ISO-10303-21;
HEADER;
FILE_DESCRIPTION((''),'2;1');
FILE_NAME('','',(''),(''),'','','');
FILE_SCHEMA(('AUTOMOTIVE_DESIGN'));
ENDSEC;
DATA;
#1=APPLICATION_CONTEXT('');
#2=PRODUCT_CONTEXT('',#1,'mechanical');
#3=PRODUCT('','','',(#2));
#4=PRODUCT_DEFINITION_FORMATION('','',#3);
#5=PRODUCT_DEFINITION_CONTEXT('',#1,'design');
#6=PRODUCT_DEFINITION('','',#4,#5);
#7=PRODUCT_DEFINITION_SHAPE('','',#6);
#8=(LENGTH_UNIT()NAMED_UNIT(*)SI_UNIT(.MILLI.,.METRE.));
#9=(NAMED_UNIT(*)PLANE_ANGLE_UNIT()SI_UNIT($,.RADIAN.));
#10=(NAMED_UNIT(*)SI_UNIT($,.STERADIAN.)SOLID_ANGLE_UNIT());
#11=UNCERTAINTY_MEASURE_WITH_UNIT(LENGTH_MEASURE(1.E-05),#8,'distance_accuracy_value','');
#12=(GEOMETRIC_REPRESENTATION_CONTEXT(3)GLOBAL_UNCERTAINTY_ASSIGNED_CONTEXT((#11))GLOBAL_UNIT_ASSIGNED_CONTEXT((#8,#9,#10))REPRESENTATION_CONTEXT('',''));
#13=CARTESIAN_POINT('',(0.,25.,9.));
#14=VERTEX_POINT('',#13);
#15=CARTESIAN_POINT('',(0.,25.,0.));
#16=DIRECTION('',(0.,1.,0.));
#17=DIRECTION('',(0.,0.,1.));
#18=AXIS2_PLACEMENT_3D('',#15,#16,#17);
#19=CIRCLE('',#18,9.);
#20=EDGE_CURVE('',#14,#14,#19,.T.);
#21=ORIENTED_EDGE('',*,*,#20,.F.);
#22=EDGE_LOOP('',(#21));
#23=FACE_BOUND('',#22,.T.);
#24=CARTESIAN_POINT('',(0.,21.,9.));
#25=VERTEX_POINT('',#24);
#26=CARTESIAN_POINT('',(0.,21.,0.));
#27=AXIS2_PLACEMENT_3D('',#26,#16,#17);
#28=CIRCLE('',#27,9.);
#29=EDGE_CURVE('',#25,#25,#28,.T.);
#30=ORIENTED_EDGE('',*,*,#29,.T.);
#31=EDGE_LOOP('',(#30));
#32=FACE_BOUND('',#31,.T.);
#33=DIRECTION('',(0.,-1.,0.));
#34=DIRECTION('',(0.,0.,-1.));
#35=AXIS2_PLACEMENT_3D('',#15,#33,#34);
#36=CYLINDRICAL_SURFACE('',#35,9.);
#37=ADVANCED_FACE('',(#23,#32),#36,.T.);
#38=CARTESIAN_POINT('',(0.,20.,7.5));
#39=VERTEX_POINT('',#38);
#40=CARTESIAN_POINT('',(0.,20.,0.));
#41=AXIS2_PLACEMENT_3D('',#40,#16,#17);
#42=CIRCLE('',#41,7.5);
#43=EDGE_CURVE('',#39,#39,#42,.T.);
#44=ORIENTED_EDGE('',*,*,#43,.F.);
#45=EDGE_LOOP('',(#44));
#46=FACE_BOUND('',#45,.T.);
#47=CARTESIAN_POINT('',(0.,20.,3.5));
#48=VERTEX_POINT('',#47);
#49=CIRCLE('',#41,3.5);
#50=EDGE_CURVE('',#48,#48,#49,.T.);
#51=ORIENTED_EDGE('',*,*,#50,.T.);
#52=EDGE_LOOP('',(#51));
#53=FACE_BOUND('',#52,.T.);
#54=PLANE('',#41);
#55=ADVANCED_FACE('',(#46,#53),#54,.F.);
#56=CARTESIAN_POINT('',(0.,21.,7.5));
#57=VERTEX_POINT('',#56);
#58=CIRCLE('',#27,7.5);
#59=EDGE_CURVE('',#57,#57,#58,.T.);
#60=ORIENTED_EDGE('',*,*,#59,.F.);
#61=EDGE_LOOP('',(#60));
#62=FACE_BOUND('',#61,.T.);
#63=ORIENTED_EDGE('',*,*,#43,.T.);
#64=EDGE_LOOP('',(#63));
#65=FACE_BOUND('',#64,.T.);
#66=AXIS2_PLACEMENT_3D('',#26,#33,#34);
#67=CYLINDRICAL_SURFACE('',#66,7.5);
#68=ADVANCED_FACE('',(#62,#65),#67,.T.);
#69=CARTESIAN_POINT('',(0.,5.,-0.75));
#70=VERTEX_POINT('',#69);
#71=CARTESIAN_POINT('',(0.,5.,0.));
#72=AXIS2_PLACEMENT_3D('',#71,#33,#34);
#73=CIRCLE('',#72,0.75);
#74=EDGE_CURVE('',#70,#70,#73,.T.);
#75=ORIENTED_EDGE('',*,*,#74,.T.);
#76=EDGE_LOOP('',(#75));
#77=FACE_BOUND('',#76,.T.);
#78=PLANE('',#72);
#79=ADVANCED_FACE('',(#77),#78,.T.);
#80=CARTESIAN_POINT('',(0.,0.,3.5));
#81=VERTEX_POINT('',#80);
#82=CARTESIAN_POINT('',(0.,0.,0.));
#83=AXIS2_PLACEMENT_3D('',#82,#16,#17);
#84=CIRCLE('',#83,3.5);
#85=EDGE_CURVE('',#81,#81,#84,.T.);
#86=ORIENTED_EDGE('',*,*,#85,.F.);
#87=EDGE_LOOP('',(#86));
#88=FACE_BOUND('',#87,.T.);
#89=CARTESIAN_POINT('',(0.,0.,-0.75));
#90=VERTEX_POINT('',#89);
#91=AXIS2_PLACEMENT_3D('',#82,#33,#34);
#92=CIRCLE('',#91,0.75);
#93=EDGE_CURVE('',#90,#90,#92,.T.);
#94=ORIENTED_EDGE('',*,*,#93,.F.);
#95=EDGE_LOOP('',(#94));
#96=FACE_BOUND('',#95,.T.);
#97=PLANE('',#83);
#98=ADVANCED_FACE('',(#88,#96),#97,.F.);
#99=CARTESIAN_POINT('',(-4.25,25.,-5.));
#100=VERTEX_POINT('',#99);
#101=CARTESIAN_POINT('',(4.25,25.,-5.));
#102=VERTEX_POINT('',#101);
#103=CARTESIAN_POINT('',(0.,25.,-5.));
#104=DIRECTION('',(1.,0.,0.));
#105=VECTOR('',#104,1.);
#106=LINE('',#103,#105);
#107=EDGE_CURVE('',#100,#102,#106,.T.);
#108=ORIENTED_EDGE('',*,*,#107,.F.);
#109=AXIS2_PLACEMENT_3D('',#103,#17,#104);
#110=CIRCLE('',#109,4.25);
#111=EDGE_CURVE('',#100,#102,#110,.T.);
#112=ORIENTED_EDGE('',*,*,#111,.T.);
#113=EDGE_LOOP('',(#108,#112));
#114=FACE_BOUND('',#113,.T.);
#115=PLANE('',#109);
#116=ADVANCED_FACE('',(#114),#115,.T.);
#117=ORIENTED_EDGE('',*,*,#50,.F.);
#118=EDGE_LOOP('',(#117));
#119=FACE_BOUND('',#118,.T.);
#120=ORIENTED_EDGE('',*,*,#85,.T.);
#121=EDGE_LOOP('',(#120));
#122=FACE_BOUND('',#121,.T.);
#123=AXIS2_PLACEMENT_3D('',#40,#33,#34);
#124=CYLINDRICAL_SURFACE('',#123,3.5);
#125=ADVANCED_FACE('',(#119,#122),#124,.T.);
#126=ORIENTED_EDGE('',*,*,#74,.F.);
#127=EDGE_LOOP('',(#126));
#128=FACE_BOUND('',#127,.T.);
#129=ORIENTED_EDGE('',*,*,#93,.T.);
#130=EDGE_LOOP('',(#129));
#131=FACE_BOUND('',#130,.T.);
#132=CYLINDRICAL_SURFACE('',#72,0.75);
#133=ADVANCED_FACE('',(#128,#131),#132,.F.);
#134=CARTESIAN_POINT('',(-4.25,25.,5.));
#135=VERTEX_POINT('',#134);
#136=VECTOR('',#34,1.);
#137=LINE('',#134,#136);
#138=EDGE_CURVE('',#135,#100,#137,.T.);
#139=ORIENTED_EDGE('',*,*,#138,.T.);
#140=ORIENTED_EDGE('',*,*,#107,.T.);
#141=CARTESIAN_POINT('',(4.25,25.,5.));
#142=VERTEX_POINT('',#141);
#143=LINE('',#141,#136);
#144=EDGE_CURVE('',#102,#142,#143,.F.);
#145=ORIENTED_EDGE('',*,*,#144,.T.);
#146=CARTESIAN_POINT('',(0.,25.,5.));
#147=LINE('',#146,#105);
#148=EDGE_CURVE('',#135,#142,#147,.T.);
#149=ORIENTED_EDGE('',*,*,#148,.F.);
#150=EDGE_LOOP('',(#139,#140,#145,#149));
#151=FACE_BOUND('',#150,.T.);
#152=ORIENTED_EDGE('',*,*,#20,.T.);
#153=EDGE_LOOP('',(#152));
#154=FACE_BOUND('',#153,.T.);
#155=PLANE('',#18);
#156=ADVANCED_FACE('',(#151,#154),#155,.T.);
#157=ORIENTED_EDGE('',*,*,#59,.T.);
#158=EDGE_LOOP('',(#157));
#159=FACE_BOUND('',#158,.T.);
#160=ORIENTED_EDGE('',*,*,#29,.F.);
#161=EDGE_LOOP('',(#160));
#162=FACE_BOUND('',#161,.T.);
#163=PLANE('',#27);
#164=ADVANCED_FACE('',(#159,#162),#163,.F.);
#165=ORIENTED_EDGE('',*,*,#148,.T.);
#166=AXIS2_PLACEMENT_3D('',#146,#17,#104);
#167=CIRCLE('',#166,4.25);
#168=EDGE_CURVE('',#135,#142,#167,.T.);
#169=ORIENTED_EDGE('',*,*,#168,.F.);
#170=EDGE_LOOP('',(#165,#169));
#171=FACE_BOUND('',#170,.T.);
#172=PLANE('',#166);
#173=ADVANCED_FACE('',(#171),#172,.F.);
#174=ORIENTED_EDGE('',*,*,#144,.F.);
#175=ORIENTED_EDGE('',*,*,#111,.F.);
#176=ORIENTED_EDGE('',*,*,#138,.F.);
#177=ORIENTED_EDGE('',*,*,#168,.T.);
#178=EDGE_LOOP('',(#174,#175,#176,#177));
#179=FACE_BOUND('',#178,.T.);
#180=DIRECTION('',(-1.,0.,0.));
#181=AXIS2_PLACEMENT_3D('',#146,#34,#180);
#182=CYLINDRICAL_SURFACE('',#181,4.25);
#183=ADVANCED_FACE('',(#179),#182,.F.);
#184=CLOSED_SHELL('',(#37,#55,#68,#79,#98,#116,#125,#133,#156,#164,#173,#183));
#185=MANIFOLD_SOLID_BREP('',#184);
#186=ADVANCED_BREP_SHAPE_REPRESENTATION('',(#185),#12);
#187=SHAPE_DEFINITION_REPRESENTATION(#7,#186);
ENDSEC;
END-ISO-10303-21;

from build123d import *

# Parameters (mm, degrees)
CROQUIS2_R                 = 3.5
SALIENTE_EXTRUIR1_DEPTH    = 20
CROQUIS3_R                 = 7.5
SALIENTE_EXTRUIR2_DEPTH    = 1
CROQUIS5_R                 = 9
SALIENTE_EXTRUIR3_DEPTH    = 4
CORTAR_EXTRUIR1_DEPTH      = 5
CORTAR_EXTRUIR1_DEPTH_BACK = 5
CROQUIS6_R                 = 4.25
CROQUIS7_R                 = 0.75
CORTAR_EXTRUIR2_DEPTH      = 5


with BuildPart() as part:
    # Croquis2 → Saliente-Extruir1 (new body)
    with BuildSketch(Plane(origin=(0, 0, 0), x_dir=(1, 0, 0), z_dir=(0, 1, 0))):
        Circle(CROQUIS2_R)
    extrude(amount=SALIENTE_EXTRUIR1_DEPTH)

    # Croquis3 → Saliente-Extruir2 (add)
    with BuildSketch(Plane(origin=(0, 20, 0), x_dir=(1, 0, 0), z_dir=(0, 1, 0))):
        Circle(CROQUIS3_R)
    extrude(amount=SALIENTE_EXTRUIR2_DEPTH)

    # Croquis5 → Saliente-Extruir3 (add)
    with BuildSketch(Plane(origin=(0, 21, 0), x_dir=(1, 0, 0), z_dir=(0, 1, 0))):
        Circle(CROQUIS5_R)
    extrude(amount=SALIENTE_EXTRUIR3_DEPTH)

    # Croquis6 → Cortar-Extruir1 (cut, two sides: drawn at the far end of the back side and taken through both)
    with BuildSketch(Plane.XY.offset(-CORTAR_EXTRUIR1_DEPTH_BACK)):
        with Locations((0, 25)):
            Circle(CROQUIS6_R)
    extrude(amount=CORTAR_EXTRUIR1_DEPTH + CORTAR_EXTRUIR1_DEPTH_BACK, mode=Mode.SUBTRACT)

    # Croquis7 → Cortar-Extruir2 (cut)
    with BuildSketch(Plane.XZ):
        Circle(CROQUIS7_R)
    extrude(amount=-CORTAR_EXTRUIR2_DEPTH, mode=Mode.SUBTRACT)


solid = part.part
